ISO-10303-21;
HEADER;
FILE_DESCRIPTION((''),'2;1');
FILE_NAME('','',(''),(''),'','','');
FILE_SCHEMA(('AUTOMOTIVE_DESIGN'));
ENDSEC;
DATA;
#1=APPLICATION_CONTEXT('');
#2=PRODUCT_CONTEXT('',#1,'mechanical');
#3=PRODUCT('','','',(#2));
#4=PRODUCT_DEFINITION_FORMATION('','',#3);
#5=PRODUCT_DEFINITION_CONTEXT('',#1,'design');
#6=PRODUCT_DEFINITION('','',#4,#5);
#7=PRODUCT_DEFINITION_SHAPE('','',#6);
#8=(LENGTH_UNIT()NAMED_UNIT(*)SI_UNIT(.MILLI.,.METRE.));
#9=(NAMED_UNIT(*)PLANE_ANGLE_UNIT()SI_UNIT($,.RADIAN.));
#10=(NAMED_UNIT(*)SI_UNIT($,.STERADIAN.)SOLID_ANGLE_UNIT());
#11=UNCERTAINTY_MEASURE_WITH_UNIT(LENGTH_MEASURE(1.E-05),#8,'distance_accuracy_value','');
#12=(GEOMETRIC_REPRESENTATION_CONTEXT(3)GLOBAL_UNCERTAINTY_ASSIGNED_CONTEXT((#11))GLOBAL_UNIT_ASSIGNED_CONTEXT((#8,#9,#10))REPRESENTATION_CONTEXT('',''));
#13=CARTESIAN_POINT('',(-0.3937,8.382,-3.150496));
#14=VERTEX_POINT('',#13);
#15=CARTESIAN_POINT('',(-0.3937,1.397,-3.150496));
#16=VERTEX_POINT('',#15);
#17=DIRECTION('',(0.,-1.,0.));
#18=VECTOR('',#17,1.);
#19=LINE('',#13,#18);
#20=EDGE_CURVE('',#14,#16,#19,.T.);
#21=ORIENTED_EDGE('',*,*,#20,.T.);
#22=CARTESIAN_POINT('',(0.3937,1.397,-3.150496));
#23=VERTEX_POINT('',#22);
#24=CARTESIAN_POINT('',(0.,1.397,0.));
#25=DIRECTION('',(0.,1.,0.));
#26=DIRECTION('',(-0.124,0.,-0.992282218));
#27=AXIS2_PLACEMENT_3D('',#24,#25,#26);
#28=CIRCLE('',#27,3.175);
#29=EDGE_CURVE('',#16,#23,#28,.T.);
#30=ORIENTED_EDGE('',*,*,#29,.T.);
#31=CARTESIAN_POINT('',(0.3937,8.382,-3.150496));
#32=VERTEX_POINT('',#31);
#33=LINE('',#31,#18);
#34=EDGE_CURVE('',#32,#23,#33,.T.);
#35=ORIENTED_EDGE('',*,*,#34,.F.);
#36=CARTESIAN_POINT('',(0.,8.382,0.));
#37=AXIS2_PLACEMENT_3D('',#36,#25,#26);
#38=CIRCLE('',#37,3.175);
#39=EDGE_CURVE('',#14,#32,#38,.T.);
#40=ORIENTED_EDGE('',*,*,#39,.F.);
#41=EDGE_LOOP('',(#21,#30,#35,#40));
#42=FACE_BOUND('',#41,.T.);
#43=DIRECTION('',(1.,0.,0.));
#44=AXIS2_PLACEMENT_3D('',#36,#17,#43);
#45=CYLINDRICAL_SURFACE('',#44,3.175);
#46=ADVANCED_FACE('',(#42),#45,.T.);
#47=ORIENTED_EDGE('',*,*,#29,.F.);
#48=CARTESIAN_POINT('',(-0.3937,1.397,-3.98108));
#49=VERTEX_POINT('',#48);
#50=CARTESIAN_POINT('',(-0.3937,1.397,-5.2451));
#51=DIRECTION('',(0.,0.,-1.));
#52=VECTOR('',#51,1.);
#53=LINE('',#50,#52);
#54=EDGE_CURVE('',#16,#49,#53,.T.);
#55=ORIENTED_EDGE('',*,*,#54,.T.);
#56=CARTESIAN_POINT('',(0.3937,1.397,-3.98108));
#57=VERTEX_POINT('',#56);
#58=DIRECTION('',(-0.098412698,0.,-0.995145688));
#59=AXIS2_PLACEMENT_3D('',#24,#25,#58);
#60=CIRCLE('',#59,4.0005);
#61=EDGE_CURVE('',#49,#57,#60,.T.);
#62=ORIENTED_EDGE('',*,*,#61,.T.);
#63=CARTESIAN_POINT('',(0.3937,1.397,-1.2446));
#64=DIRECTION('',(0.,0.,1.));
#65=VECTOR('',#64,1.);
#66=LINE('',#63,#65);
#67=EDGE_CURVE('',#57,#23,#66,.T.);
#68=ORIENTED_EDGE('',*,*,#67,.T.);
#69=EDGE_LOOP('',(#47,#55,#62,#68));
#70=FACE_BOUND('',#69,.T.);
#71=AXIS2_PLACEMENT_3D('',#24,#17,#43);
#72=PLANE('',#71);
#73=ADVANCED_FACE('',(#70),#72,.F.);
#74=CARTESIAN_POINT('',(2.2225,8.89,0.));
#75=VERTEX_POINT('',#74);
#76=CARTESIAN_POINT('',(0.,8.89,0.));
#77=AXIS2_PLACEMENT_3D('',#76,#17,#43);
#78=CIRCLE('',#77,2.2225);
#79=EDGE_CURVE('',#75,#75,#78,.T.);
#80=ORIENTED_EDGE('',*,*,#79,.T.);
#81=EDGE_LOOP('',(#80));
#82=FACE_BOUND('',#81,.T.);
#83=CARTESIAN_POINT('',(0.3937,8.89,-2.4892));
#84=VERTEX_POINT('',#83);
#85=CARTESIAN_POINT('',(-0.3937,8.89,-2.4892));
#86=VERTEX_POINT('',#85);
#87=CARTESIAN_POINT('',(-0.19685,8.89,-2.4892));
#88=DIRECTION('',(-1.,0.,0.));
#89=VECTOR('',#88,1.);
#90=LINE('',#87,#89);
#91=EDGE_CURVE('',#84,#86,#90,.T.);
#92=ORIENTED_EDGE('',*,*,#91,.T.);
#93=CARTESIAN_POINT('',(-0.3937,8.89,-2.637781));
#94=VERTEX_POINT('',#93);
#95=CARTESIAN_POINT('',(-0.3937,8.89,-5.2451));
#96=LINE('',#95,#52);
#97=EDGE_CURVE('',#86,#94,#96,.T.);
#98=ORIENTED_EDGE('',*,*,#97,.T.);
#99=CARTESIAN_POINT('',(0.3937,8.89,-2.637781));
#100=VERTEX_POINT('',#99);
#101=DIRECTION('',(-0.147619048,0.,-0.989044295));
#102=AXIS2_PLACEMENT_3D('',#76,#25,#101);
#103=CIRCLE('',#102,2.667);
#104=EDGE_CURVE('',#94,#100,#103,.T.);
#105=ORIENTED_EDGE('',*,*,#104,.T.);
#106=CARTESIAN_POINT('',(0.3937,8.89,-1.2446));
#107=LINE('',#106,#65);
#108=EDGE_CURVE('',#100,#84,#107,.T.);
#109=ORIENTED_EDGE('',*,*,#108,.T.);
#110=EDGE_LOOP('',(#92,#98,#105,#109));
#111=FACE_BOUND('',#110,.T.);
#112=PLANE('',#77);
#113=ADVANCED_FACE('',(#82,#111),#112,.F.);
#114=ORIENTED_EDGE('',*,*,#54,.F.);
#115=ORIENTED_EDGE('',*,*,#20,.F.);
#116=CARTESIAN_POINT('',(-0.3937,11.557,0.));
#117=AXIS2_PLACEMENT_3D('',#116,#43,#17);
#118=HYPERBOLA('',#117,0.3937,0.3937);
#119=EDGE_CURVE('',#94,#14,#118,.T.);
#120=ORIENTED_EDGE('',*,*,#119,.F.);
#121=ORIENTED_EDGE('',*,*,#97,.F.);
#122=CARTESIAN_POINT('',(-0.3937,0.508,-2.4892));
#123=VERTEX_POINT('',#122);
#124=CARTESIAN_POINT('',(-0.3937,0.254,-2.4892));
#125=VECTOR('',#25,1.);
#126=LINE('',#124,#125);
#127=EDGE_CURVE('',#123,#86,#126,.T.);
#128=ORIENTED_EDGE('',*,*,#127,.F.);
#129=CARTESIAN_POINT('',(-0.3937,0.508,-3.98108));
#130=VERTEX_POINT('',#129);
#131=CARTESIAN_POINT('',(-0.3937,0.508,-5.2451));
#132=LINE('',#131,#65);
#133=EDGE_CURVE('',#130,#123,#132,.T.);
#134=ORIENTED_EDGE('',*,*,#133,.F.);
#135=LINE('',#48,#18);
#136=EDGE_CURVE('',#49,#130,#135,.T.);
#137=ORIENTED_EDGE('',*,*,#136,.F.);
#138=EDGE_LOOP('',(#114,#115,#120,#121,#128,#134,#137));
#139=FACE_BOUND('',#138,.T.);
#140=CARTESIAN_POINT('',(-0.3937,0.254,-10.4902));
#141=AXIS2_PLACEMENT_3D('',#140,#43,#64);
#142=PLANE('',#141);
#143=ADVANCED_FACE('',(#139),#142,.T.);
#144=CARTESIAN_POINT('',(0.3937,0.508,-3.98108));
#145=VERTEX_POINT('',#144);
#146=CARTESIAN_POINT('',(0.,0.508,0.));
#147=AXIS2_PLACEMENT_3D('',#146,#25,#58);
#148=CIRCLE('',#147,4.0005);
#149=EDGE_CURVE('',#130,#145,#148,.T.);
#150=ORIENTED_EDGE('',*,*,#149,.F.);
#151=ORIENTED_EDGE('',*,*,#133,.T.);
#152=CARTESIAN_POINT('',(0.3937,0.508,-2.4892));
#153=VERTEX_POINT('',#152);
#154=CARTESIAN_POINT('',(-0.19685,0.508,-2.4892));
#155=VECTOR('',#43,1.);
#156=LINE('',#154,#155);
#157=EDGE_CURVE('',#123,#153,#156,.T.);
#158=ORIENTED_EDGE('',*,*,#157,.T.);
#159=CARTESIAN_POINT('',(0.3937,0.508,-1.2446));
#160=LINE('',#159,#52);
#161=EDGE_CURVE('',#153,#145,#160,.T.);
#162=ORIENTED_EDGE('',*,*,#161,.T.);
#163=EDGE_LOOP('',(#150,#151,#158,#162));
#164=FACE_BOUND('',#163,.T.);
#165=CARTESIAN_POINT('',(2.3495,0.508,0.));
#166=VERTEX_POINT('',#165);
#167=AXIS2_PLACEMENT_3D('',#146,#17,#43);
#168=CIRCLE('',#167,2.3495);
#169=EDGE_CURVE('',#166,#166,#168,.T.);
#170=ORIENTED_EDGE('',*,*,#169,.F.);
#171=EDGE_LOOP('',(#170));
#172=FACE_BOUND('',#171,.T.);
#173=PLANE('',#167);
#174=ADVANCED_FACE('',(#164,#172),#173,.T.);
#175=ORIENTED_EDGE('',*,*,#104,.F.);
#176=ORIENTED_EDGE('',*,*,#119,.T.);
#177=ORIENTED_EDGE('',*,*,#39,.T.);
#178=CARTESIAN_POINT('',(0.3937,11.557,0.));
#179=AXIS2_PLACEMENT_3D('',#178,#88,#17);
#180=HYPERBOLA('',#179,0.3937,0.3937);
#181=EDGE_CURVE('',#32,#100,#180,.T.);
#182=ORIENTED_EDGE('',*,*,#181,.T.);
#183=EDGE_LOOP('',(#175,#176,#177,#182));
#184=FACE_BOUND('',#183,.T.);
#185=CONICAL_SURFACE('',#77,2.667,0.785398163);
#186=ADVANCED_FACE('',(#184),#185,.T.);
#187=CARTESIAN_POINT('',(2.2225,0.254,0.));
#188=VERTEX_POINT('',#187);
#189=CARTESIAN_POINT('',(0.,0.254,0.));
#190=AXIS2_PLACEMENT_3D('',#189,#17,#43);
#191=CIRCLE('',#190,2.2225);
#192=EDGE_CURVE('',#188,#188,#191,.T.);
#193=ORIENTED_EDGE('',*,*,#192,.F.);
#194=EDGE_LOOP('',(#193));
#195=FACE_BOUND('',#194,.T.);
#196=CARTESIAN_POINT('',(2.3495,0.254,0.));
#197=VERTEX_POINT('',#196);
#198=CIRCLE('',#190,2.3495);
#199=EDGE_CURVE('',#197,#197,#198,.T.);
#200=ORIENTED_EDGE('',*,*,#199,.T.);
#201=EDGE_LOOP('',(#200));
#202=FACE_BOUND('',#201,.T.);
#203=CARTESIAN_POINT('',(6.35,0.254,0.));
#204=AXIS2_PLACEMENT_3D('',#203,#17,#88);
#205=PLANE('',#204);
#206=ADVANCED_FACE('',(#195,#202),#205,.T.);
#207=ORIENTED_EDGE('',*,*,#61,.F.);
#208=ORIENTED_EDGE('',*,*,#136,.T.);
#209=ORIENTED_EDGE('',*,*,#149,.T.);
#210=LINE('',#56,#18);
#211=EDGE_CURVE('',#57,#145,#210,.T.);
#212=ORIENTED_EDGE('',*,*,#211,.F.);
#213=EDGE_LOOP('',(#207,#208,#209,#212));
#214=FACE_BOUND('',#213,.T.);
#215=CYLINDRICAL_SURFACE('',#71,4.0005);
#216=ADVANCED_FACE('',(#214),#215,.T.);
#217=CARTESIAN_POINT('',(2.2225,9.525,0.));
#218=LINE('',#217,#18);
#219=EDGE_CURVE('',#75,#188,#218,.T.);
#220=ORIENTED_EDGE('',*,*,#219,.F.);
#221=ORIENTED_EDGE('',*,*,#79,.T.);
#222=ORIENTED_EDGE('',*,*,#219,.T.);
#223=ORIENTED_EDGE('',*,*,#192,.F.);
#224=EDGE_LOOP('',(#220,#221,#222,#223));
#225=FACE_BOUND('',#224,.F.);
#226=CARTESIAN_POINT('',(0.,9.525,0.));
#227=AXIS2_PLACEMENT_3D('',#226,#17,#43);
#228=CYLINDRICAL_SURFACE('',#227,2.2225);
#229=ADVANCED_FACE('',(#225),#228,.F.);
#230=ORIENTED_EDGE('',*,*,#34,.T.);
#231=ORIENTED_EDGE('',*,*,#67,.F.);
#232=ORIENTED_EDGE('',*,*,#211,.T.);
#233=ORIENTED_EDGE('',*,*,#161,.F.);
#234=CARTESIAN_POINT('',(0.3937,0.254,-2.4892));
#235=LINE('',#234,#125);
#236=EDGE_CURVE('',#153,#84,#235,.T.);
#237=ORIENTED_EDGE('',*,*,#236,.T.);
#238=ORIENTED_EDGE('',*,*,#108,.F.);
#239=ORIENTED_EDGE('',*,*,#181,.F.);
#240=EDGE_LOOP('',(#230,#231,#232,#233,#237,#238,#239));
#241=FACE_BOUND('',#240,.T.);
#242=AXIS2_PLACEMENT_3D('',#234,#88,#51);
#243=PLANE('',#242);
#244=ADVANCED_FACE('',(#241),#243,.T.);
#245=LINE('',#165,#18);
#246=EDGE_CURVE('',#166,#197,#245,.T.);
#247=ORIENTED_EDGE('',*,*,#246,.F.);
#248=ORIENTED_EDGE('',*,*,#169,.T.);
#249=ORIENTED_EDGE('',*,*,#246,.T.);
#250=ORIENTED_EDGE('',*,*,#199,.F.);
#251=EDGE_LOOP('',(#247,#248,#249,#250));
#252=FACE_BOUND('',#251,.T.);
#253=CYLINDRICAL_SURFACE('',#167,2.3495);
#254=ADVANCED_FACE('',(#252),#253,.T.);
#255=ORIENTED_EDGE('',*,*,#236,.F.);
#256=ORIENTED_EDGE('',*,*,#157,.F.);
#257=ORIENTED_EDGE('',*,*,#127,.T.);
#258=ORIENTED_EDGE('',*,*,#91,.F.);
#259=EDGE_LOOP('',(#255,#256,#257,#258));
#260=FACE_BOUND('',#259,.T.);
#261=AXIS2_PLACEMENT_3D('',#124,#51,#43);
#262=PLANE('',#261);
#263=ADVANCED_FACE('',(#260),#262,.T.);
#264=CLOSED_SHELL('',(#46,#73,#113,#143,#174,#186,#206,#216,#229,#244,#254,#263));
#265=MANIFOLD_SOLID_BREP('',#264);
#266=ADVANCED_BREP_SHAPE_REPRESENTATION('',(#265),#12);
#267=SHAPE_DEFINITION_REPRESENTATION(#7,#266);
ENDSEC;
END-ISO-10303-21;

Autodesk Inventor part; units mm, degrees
sketch "Sketch_1" plane through (0, 0, 0) normal (0, 0, 1) x (1, 0, 0)
  line L0 (-6.35, 0) -> (6.35, 0)
  arc A0 (6.35, 0) -> (6.096, 0.254) centre (6.096, 0) ccw
  line L1 (6.096, 0.254) -> (-6.096, 0.254)
  arc A1 (-6.096, 0.254) -> (-6.35, 0) centre (-6.096, 0) ccw
extrude "Extrusion1" add sketch "Sketch_1" along normal mid plane 13.0048
sketch "Sketch_6" plane through (0, 0, 0) normal (0, 0, 1) x (1, 0, 0)
  line L0 (0, 0.127) -> (0, 8.89)
  line L1 (0, 8.89) -> (2.667, 8.89)
  line L2 (2.667, 8.89) -> (3.175, 8.382)
  line L3 (3.175, 8.382) -> (3.175, 1.397)
  line L4 (3.175, 1.397) -> (4.0005, 1.397)
  line L5 (4.0005, 1.397) -> (4.0005, 0.508)
  line L6 (4.0005, 0.508) -> (2.3495, 0.508)
  line L7 (2.3495, 0.508) -> (2.3495, 0.127)
  line L8 (2.3495, 0.127) -> (0, 0.127)
  line L9 (0, 0.127) -> (0, 8.89)
revolve "Revolution1" add sketch "Sketch_6" angle 360 about axis through (0, 0.127, 0) along (0, -1, 0)
thread "Thread1" size "1/4-32 UNEF" class "3A" standard "ANSI Unified Screw Threads" length 6.5852 offset 0.3998
sketch "Sketch_8" plane through (0, 0.254, 0) normal (0, 1, 0) x (1, 0, 0)
  line L0 (-0.3937, 2.4892) -> (0.3937, 2.4892)
  line L1 (0.3937, 2.4892) -> (0.3937, 10.4902)
  line L2 (0.3937, 10.4902) -> (-0.3937, 10.4902)
  line L3 (-0.3937, 10.4902) -> (-0.3937, 2.4892)
extrude "Extrusion2" cut sketch "Sketch_8" along normal blind 9.779
sketch "Sketch_10_ALT_Drilling_1" plane through (0, 0, 0) normal (0, 0, 1) x (1, 0, 0)
  line L0 (0, 0) -> (0, 9.525)
  line L1 (0, 9.525) -> (2.2225, 9.525)
  line L2 (2.2225, 9.525) -> (2.2225, 0)
  line L3 (2.2225, 0) -> (0, 0)
  line L4 (0, 0) -> (0, 9.525)
revolve "Revolution2" cut sketch "Sketch_10_ALT_Drilling_1" angle 360 about axis through (0, 0, 0) along (0, -1, 0)
sketch "Sketch_2" plane through (0, 0, 0) normal (0, 0, 1) x (1, 0, 0)
  line L0 (-6.35, 0.254) -> (-6.35, 0)
  line L1 (-6.35, 0) -> (6.35, 0)
  line L2 (6.35, 0) -> (6.35, 0.254)
  line L3 (6.35, 0.254) -> (-6.35, 0.254)
extrude "Extrusion3" cut sketch "Sketch_2" along normal mid plane 13.0048
ref_plane "1_XY" through (0, 7.112, 0) normal (0, 1, 0) x (1, 0, 0)
ref_plane "1_YZ" through (0, 7.112, 0) normal (1, 0, 0) x (0, 0, -1)
ref_plane "1_ZX" through (0, 7.112, 0) normal (0, 0, -1) x (0, 1, 0)
ref_plane "2_XY" through (0, 5.334, 0) normal (0, 1, 0) x (1, 0, 0)
ref_plane "2_YZ" through (0, 5.334, 0) normal (1, 0, 0) x (0, 0, -1)
ref_plane "2_ZX" through (0, 5.334, 0) normal (0, 0, -1) x (0, 1, 0)
ref_plane "3_XY" through (0, 3.556, 0) normal (0, 1, 0) x (1, 0, 0)
ref_plane "3_YZ" through (0, 3.556, 0) normal (1, 0, 0) x (0, 0, -1)
ref_plane "3_ZX" through (0, 3.556, 0) normal (0, 0, -1) x (0, 1, 0)
ref_plane "4_XY" through (0, 2.2225, 0) normal (0, 1, 0) x (1, 0, 0)
ref_plane "4_YZ" through (0, 2.2225, 0) normal (1, 0, 0) x (0, 0, -1)
ref_plane "4_ZX" through (0, 2.2225, 0) normal (0, 0, -1) x (0, 1, 0)
ref_plane "to_base_XY" through (0, 0, 0) normal (0, 1, 0) x (1, 0, 0)
ref_plane "to_base_YZ" through (0, 0, 0) normal (1, 0, 0) x (0, 0, -1)
ref_plane "to_base_ZX" through (0, 0, 0) normal (0, 0, -1) x (0, 1, 0)
properties part number "M20ANG2S1M202BR-bushing"
